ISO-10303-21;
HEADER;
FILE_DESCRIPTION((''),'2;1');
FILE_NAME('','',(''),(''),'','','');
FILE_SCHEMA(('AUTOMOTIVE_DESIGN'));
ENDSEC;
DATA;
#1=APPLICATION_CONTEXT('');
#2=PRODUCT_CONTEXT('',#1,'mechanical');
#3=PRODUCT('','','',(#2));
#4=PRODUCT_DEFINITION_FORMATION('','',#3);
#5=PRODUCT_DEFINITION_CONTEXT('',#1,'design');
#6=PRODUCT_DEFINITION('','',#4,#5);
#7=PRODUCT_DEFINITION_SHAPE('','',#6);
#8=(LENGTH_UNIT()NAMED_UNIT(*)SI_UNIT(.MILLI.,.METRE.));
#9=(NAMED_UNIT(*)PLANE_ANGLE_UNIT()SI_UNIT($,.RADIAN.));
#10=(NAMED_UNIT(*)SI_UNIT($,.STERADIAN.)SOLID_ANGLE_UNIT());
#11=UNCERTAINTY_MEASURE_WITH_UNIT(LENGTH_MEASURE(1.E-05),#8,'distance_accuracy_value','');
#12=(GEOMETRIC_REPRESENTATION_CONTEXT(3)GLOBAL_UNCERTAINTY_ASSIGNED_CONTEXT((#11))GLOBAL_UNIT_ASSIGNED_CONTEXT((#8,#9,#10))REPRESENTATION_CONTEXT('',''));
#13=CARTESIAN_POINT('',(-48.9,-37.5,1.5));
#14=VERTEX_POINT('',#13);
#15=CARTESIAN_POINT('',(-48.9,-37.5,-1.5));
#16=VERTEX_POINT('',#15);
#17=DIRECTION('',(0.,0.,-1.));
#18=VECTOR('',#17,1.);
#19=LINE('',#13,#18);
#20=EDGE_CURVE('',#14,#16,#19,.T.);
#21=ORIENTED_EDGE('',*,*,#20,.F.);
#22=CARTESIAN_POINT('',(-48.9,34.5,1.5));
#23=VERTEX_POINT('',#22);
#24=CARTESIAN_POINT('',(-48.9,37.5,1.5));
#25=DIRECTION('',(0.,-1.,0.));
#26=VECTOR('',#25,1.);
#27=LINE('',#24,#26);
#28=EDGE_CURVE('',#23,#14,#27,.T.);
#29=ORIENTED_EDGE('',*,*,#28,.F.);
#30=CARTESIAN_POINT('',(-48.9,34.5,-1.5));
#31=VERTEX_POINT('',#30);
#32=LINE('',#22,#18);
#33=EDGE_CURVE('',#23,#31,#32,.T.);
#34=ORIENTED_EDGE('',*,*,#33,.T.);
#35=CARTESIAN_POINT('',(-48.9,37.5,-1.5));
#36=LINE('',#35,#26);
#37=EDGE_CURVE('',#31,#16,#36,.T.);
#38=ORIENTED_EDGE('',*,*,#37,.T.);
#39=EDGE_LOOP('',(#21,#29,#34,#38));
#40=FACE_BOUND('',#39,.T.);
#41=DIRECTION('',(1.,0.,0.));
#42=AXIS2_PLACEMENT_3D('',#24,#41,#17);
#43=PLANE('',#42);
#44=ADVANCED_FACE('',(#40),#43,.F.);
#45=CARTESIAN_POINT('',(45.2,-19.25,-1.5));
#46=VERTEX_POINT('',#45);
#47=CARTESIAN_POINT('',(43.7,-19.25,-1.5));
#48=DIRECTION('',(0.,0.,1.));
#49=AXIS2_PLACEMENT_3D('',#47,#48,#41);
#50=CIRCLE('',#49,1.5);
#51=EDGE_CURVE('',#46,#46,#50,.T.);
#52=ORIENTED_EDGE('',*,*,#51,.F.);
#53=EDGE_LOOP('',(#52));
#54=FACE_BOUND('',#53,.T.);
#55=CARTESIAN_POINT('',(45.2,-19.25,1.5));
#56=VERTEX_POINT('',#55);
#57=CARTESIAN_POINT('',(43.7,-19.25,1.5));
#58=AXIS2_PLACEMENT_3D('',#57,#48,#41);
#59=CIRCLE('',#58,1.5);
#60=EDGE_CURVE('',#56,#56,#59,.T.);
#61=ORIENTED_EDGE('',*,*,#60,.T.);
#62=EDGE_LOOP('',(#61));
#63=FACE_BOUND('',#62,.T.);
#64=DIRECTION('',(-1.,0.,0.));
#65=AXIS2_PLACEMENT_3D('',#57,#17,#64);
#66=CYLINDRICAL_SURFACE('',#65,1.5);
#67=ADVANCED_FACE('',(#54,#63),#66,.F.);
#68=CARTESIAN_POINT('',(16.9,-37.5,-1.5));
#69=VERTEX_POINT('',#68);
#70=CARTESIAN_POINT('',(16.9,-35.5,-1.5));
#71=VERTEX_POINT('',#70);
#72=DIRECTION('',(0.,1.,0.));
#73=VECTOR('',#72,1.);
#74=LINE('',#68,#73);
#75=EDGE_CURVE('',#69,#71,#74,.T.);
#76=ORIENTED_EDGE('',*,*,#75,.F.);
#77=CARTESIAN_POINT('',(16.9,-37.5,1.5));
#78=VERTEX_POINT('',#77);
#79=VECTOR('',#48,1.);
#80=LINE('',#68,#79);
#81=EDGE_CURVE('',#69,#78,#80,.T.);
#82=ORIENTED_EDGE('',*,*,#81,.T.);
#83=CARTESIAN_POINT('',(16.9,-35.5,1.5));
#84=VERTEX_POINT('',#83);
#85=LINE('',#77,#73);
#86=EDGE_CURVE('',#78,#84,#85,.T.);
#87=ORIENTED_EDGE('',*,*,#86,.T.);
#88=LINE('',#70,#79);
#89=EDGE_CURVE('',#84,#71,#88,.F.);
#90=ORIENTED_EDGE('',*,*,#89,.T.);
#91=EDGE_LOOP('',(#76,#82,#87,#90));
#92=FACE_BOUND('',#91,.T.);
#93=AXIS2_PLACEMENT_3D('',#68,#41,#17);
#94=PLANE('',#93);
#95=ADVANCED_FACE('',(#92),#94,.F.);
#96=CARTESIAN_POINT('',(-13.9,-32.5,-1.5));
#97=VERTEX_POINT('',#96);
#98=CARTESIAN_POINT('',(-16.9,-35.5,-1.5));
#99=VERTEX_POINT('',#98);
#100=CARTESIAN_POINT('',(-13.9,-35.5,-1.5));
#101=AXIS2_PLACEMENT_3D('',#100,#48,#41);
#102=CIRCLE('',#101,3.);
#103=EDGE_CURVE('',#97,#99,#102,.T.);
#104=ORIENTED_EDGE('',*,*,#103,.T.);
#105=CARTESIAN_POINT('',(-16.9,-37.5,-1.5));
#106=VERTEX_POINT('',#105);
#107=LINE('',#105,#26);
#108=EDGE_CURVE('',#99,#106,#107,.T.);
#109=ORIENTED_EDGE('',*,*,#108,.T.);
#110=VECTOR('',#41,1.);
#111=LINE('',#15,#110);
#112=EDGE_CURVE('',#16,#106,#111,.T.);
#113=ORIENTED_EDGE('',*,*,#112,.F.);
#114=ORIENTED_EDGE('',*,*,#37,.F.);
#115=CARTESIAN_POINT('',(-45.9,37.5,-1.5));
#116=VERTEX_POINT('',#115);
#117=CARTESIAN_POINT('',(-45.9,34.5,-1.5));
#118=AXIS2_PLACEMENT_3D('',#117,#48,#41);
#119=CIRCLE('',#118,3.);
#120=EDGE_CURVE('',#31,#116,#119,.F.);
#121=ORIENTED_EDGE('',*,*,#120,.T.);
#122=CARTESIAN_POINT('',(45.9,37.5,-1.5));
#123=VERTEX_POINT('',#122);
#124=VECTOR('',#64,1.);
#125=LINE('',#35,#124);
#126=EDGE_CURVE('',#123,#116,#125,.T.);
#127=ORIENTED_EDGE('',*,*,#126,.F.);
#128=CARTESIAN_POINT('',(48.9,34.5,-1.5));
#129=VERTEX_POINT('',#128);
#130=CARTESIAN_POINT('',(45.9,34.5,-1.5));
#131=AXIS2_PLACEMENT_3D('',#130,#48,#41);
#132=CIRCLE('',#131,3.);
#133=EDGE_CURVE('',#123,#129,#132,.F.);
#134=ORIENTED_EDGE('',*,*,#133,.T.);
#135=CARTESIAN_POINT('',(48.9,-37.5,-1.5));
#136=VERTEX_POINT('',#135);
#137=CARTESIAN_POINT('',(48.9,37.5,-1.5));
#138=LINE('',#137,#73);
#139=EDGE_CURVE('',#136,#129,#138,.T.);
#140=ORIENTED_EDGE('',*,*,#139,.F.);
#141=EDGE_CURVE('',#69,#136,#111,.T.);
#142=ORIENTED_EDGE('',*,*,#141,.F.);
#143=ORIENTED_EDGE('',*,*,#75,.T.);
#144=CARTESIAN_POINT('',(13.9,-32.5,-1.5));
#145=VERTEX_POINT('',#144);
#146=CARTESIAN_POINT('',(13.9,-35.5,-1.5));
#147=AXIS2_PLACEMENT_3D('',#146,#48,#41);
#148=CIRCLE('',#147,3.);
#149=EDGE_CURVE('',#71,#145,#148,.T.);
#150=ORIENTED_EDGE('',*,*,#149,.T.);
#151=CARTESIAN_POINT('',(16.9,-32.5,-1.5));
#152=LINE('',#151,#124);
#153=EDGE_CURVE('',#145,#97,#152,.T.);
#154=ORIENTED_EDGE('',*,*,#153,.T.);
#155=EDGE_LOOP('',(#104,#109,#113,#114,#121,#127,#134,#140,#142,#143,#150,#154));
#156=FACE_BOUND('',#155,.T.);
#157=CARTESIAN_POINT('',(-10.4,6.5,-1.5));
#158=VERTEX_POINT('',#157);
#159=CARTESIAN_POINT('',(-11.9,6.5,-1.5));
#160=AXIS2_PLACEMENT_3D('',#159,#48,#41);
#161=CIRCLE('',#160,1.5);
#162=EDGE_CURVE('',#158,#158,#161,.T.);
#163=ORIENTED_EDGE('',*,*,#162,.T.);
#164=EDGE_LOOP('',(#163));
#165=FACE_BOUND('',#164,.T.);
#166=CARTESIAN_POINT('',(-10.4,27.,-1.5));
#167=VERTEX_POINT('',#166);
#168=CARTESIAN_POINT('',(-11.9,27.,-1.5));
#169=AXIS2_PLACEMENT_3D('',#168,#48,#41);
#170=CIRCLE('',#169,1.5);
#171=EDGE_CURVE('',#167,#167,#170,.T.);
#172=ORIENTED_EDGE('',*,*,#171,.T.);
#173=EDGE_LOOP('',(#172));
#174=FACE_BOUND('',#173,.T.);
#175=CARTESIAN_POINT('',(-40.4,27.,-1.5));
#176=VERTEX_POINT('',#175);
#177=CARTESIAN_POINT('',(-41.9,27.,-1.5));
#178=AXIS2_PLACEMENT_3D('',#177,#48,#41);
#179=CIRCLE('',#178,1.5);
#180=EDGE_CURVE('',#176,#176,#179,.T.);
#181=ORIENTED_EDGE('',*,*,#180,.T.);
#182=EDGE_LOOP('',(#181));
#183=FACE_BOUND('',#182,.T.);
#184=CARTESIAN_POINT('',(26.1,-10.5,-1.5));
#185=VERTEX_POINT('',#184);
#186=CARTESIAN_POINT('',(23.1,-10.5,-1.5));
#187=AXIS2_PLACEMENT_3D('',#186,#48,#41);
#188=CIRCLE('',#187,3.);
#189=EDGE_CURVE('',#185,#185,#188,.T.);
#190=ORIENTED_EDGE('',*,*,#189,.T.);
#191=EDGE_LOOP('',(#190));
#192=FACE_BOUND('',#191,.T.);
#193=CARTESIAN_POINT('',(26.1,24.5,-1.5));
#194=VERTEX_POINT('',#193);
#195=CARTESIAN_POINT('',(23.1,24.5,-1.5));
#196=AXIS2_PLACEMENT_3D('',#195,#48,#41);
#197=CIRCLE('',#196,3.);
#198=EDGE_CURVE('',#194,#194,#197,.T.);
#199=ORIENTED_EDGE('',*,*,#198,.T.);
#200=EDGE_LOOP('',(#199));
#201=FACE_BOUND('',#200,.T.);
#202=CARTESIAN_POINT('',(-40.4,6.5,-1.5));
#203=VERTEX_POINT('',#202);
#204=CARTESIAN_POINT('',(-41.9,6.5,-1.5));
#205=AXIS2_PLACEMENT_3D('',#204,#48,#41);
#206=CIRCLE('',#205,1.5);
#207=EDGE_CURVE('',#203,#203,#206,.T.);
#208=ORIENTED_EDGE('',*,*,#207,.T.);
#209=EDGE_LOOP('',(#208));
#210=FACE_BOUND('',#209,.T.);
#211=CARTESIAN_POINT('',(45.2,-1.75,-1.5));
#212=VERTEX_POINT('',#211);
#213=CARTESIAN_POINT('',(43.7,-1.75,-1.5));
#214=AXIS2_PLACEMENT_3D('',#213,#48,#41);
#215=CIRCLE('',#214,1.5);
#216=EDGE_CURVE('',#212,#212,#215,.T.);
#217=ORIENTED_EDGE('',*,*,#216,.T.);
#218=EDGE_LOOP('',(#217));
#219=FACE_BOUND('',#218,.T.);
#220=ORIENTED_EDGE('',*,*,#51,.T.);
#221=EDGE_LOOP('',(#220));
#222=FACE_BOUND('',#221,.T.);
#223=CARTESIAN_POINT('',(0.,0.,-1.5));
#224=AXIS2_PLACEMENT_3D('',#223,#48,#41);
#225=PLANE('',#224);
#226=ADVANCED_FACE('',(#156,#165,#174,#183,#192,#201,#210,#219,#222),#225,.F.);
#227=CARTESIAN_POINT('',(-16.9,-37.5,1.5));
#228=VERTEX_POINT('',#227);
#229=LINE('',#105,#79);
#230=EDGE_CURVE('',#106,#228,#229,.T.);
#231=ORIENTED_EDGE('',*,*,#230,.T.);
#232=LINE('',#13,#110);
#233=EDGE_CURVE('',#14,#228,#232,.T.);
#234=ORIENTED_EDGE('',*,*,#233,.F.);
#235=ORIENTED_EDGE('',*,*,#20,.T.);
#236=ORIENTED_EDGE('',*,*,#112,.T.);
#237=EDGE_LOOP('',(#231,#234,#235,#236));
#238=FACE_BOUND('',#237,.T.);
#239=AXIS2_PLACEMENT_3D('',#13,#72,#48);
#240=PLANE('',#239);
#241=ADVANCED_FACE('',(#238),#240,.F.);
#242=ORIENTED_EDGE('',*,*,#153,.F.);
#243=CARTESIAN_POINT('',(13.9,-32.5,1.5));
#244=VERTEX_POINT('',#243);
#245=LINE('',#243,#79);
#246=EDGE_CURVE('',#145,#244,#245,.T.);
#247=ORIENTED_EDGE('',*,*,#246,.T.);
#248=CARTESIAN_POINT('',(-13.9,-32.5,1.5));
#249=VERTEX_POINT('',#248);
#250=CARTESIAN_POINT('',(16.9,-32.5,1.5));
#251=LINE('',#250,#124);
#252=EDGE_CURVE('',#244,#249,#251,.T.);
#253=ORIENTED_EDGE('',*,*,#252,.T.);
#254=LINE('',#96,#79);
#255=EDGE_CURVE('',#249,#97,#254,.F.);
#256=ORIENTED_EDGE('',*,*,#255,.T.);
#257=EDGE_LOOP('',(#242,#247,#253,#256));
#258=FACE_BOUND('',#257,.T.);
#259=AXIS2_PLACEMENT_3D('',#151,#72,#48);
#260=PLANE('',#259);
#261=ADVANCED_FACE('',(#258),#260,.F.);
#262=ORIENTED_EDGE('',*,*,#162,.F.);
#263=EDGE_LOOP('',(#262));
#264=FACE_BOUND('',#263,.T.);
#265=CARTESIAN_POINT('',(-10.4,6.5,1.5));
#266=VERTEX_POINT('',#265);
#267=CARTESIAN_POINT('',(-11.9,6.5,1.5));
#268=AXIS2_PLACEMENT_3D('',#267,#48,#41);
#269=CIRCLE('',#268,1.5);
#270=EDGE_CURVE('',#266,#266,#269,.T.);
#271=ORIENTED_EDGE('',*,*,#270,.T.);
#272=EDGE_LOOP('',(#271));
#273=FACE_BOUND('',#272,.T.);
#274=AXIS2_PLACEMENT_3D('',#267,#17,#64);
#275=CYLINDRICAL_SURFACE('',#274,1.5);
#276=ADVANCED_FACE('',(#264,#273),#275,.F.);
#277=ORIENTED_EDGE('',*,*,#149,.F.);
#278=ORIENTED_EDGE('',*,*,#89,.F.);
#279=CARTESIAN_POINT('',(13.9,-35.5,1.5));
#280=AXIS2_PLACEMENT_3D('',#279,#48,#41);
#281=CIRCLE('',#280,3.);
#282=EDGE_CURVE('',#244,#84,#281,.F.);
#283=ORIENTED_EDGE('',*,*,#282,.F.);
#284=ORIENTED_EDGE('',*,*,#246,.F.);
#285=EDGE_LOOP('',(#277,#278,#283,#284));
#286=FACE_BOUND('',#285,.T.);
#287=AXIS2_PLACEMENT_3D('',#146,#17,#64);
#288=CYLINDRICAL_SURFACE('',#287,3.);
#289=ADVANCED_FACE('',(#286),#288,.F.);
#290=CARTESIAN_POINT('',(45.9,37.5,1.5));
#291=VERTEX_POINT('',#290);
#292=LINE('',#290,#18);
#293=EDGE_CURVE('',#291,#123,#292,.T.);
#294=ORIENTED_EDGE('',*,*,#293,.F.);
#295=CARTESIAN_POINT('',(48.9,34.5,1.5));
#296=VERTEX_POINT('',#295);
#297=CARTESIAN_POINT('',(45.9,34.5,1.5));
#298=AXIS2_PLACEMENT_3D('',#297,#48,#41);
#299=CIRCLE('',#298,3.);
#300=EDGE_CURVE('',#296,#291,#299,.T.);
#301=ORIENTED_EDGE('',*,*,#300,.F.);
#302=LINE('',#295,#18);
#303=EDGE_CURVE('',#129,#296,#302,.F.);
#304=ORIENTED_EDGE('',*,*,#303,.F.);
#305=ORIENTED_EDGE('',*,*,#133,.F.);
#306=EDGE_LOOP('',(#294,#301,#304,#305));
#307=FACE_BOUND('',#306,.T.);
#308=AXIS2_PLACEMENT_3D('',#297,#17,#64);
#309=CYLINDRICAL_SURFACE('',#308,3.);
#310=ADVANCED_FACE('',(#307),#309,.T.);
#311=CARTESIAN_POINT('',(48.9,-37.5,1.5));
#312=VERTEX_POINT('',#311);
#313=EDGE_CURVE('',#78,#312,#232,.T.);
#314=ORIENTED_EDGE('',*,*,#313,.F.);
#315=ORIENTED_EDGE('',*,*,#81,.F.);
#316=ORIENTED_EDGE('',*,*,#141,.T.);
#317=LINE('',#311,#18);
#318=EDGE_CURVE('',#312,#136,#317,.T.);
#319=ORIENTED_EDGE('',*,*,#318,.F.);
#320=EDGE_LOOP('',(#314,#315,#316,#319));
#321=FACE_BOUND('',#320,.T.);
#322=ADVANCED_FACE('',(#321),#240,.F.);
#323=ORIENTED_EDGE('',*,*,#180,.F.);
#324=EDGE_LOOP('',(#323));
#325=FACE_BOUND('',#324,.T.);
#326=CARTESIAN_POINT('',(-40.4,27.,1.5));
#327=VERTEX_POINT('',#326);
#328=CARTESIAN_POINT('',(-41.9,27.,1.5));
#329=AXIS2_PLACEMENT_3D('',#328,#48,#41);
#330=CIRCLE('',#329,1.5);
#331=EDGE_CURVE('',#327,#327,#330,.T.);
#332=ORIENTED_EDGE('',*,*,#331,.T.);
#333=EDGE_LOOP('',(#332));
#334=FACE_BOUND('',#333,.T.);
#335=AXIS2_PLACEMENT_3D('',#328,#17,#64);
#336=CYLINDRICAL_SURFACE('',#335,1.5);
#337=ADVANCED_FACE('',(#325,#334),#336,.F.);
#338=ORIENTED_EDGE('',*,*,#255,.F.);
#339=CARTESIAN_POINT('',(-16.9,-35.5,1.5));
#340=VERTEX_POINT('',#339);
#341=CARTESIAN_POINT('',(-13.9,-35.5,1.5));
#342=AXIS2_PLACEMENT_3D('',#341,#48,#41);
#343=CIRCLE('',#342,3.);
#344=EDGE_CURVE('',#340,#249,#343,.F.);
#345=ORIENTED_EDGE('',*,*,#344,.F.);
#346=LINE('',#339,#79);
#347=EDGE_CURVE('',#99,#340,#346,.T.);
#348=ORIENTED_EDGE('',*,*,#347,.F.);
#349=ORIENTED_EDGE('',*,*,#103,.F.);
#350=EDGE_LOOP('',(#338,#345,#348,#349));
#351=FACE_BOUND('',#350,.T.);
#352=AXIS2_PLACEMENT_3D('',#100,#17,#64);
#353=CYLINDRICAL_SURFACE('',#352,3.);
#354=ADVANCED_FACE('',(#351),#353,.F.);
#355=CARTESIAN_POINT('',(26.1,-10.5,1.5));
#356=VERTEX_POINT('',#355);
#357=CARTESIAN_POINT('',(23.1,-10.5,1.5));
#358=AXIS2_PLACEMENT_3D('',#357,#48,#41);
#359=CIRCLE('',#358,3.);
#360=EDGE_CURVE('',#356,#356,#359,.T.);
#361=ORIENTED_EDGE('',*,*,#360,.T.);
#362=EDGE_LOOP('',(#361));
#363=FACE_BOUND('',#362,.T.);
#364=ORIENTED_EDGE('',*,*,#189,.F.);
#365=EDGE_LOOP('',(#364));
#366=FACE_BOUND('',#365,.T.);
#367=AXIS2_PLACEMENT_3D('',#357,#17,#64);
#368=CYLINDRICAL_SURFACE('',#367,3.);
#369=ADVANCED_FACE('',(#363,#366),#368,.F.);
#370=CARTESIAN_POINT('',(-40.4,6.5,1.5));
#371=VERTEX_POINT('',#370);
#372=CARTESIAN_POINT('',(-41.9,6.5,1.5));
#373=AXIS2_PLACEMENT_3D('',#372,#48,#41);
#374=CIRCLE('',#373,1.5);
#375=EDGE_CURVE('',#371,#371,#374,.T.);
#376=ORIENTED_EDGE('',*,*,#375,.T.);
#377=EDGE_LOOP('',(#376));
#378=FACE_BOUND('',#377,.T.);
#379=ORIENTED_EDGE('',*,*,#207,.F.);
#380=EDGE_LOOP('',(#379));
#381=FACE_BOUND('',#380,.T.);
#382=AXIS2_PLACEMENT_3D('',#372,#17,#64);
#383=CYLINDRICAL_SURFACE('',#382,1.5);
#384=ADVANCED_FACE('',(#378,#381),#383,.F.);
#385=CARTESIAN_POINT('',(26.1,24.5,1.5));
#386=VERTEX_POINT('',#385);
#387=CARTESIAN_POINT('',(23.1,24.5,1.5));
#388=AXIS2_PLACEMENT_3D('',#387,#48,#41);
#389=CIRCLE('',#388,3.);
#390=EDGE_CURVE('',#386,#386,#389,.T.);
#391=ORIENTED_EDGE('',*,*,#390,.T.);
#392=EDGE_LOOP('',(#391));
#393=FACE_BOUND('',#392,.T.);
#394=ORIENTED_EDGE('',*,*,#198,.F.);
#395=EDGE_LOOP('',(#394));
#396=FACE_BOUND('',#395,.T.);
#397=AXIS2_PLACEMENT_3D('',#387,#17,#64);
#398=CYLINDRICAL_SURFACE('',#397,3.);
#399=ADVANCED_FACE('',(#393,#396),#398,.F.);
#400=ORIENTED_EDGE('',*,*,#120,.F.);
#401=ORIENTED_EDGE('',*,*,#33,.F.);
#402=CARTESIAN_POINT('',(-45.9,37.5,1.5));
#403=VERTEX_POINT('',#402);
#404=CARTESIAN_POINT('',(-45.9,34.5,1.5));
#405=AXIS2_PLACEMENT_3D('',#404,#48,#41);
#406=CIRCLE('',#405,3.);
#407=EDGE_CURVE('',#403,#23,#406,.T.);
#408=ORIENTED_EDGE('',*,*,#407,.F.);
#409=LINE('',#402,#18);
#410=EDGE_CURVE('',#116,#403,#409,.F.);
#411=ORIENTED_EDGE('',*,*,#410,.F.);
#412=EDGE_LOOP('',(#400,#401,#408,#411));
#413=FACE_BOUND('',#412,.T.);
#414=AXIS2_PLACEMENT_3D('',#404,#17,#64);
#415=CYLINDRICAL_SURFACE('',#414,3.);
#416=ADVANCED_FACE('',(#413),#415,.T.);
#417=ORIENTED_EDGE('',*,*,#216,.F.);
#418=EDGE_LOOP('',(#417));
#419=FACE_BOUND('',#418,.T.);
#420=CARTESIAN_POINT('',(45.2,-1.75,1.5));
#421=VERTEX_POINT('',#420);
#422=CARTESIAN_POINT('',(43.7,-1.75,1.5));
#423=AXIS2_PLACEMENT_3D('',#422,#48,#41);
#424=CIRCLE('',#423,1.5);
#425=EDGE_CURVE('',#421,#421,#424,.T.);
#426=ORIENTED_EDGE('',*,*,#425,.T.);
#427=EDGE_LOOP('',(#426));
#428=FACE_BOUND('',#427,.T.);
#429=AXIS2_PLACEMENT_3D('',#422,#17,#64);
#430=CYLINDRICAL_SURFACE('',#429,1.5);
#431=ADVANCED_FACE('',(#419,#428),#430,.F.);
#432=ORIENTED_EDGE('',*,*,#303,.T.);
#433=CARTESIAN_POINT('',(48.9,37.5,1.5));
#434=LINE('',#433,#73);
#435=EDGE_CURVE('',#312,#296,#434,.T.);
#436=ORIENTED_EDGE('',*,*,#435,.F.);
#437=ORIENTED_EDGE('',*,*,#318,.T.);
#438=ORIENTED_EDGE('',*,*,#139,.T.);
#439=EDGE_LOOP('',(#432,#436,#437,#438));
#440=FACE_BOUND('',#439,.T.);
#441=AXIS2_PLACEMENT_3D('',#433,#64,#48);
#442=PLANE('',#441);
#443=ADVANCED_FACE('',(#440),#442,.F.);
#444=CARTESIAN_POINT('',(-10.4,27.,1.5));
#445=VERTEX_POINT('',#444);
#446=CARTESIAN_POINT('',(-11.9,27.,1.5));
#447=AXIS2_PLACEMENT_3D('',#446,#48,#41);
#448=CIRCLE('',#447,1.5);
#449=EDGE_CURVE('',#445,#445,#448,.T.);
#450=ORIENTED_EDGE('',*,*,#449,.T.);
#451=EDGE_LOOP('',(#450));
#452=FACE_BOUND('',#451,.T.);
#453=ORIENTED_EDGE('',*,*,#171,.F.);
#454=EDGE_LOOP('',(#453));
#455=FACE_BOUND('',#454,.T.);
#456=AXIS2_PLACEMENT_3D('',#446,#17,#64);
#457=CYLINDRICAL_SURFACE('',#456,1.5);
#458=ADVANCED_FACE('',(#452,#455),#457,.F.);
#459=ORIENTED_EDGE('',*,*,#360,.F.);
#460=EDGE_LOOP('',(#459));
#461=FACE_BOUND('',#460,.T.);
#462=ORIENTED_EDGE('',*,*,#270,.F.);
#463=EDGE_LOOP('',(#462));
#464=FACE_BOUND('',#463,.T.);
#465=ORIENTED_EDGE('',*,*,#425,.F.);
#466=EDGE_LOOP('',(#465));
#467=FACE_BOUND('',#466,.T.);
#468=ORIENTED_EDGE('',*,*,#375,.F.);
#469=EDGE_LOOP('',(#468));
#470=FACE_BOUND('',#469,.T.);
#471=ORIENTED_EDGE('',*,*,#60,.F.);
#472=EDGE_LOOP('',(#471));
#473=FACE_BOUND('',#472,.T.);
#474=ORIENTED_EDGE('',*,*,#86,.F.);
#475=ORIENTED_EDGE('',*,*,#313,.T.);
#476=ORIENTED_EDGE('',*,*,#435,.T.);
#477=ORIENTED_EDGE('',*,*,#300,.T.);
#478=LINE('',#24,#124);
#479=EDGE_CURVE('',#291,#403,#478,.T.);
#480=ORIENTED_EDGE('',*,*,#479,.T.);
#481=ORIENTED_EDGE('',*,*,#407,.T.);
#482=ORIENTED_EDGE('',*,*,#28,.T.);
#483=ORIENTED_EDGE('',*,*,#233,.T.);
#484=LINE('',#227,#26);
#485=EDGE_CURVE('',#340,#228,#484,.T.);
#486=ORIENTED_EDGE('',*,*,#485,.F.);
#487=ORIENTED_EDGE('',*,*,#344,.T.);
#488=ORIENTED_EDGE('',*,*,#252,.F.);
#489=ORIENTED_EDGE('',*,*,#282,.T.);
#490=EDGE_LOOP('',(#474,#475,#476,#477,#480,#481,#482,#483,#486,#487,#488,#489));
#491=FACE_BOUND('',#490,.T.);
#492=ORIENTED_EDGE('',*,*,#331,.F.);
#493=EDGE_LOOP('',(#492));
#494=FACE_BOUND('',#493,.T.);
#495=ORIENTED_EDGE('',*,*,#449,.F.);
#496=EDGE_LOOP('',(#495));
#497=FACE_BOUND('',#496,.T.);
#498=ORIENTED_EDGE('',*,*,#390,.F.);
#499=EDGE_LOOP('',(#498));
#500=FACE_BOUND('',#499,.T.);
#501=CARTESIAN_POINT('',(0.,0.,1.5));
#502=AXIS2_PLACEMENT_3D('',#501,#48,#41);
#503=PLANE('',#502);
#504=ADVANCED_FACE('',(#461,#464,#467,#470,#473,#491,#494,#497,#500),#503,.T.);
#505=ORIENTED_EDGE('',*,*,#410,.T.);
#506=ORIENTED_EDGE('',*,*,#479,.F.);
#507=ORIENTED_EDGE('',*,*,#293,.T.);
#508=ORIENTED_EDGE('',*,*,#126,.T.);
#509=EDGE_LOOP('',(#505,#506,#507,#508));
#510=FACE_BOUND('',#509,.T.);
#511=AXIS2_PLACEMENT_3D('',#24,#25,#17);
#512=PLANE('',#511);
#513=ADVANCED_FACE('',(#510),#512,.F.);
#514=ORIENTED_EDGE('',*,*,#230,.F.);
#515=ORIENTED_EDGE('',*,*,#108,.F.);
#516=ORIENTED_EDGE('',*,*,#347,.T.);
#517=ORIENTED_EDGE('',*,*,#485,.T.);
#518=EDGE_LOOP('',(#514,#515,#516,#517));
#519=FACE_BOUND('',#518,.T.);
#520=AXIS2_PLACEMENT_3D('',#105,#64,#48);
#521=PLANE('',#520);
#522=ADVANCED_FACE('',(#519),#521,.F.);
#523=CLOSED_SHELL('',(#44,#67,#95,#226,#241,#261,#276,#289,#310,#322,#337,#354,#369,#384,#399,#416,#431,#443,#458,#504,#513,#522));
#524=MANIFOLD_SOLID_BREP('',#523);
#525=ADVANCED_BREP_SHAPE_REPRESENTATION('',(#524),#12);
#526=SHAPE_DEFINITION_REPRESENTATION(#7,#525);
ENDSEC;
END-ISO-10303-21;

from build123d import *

# Parameters (mm, degrees)
CROQUIS1_W              = 97.8
CROQUIS1_H              = 75
CROQUIS1_R              = 1.5
CROQUIS1_R_2            = 3
SALIENTE_EXTRUIR1_DEPTH = 1.5
CROQUIS2_W              = 33.8
CROQUIS2_H              = 5
CORTAR_EXTRUIR1_DEPTH   = 62.696515299
REDONDEO1_R             = 3


with BuildPart() as part:
    # Croquis1 → Saliente-Extruir1 (new, symmetric)
    with BuildSketch(Plane.XY):
        Rectangle(CROQUIS1_W, CROQUIS1_H)
        with Locations((-41.9, 27)):
            Circle(CROQUIS1_R, mode=Mode.SUBTRACT)
        with Locations((-11.9, 27)):
            Circle(CROQUIS1_R, mode=Mode.SUBTRACT)
        with Locations((-11.9, 6.5)):
            Circle(CROQUIS1_R, mode=Mode.SUBTRACT)
        with Locations((-41.9, 6.5)):
            Circle(CROQUIS1_R, mode=Mode.SUBTRACT)
        with Locations((23.1, -10.5)):
            Circle(CROQUIS1_R_2, mode=Mode.SUBTRACT)
        with Locations((23.1, 24.5)):
            Circle(CROQUIS1_R_2, mode=Mode.SUBTRACT)
        with Locations((43.7, -1.75)):
            Circle(CROQUIS1_R, mode=Mode.SUBTRACT)
        with Locations((43.7, -19.25)):
            Circle(CROQUIS1_R, mode=Mode.SUBTRACT)
    extrude(amount=SALIENTE_EXTRUIR1_DEPTH, both=True)

    # Croquis2 → Cortar-Extruir1 (cut, through all)
    with BuildSketch(Plane.XY.offset(1.5)):
        with Locations((0, -35)):
            Rectangle(CROQUIS2_W, CROQUIS2_H)
    extrude(amount=-CORTAR_EXTRUIR1_DEPTH, mode=Mode.SUBTRACT)

    # Redondeo1
    redondeo1_edges = [part.edges().sort_by_distance(p)[0] for p in [
        (16.9, -32.5, 0),
        (-16.9, -32.5, 0),
        (-48.9, 37.5, 0),
        (48.9, 37.5, 0),
    ]]
    fillet(redondeo1_edges, radius=REDONDEO1_R)


solid = part.part
